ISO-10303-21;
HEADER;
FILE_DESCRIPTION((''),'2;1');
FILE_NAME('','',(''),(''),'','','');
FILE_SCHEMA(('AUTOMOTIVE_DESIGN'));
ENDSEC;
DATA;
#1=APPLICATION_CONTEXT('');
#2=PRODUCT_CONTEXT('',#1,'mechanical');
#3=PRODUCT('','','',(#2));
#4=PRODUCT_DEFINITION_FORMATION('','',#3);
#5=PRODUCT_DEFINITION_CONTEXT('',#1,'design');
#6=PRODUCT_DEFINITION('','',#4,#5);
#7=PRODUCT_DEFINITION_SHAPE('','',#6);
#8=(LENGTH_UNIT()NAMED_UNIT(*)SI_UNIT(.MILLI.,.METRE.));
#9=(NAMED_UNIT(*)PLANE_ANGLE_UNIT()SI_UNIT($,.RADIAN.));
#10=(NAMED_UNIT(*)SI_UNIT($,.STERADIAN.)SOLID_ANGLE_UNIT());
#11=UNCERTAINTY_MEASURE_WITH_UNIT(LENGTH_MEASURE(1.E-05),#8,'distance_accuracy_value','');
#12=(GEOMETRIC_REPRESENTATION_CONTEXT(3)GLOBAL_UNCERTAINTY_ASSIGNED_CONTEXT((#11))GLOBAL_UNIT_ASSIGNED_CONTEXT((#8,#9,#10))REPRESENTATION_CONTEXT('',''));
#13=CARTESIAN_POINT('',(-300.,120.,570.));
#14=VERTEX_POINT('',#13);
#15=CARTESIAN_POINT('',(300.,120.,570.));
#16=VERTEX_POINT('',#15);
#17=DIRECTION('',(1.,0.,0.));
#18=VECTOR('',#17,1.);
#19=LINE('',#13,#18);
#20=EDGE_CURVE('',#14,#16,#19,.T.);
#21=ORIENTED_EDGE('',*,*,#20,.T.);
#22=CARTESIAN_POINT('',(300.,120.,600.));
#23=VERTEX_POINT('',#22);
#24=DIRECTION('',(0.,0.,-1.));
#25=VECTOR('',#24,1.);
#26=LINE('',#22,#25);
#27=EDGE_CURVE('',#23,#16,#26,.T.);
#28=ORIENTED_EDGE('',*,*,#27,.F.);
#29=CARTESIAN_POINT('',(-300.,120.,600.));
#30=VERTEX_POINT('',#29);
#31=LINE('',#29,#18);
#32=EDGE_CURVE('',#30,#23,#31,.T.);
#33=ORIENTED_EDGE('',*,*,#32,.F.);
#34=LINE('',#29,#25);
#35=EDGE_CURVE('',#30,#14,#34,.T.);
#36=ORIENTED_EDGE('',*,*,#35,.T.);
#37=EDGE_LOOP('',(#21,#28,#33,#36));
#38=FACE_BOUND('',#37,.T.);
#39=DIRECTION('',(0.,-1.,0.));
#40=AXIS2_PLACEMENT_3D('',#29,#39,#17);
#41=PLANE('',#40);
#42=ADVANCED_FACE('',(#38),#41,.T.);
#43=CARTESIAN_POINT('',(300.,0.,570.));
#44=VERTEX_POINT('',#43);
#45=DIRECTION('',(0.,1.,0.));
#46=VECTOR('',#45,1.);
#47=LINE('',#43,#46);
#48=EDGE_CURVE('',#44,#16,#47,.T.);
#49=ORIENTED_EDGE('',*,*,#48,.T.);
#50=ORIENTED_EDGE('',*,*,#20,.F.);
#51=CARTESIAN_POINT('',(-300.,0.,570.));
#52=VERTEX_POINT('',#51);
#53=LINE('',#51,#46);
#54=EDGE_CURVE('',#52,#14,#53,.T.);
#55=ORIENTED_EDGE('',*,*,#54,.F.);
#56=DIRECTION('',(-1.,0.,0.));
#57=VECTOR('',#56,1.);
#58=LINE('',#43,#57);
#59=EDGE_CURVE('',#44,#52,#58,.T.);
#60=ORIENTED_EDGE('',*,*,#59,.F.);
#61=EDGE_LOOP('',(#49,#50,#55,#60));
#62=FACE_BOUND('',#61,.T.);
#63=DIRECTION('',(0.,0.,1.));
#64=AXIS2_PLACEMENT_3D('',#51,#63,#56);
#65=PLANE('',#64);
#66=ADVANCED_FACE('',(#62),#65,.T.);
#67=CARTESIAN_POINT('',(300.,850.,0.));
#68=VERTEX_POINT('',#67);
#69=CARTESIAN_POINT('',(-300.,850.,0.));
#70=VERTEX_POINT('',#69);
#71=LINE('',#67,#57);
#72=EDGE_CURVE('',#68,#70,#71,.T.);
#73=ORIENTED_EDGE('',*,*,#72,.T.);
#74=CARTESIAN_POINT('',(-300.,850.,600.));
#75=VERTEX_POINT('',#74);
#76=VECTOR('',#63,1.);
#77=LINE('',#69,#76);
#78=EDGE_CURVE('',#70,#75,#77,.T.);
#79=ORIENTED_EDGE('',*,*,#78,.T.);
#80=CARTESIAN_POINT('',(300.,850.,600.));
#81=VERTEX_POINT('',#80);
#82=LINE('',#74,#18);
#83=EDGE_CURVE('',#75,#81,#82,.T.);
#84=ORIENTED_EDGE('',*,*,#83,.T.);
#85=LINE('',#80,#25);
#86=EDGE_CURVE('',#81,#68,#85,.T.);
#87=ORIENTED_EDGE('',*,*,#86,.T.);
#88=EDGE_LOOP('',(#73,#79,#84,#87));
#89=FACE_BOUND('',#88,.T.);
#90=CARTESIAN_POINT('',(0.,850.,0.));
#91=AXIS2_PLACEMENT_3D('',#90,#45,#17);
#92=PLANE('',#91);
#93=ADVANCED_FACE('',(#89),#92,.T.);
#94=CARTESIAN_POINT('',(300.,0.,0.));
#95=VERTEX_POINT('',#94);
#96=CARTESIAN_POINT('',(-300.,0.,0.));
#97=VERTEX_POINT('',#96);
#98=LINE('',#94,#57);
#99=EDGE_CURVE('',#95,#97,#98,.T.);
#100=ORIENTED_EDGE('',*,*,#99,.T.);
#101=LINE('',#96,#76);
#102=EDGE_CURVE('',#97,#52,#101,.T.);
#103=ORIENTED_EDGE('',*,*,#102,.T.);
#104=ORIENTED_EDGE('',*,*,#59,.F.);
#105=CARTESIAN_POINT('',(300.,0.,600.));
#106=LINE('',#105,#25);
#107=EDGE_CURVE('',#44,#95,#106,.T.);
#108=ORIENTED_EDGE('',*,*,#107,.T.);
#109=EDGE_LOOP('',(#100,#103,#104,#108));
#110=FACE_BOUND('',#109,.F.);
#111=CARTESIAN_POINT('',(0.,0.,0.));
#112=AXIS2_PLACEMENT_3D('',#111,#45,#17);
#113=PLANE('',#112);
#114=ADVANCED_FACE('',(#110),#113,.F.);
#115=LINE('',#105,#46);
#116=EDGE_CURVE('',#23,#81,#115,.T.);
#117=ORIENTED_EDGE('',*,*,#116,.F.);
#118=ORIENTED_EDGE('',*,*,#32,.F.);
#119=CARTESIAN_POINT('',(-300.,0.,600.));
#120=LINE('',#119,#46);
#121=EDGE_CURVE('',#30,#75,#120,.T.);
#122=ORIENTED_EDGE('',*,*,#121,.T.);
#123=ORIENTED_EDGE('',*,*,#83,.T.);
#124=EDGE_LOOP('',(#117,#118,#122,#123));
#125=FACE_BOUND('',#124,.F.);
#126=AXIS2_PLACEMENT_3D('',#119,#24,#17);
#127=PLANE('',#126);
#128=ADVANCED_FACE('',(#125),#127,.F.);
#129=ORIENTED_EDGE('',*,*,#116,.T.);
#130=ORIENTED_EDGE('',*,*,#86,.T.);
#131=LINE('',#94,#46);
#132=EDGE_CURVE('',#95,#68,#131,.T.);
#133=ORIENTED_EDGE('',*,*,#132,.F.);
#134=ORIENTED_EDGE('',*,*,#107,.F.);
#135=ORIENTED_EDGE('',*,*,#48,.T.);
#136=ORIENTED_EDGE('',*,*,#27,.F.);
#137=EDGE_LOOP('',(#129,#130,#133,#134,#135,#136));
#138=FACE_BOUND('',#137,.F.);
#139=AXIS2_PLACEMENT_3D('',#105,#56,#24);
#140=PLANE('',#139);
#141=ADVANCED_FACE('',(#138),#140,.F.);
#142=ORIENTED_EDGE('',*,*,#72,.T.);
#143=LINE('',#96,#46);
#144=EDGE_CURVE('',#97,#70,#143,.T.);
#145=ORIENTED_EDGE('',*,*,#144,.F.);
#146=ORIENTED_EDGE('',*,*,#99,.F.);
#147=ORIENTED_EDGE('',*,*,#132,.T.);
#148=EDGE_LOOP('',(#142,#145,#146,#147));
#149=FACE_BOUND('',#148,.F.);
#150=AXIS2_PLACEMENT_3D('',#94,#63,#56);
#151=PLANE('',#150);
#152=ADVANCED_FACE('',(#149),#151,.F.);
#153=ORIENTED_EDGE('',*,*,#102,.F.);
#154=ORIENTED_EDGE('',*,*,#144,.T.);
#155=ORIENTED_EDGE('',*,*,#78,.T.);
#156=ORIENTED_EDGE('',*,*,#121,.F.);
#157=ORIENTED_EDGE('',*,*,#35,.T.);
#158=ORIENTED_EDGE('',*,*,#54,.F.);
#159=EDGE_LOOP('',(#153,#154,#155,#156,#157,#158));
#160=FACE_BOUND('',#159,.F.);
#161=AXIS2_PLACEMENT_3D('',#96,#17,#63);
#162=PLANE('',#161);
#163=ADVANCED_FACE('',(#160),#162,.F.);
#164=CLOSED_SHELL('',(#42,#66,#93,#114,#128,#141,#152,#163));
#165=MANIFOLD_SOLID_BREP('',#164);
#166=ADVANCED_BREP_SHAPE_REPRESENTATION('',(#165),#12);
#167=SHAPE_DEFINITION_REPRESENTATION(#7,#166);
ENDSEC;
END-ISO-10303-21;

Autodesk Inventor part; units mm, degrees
ref_plane "YZ Plane" through (0, 0, 0) normal (1, 0, 0) x (0, 1, 0)
ref_plane "XZ Plane" through (0, 0, 0) normal (0, 1, 0) x (-1, 0, 0)
ref_plane "XY Plane" through (0, 0, 0) normal (0, 0, 1) x (1, 0, 0)
sketch "Sketch1" plane through (0, 0, 0) normal (0, 1, 0) x (1, 0, 0)
  line L0 (300, 0) -> (-300, 0)
  line L1 (-300, 0) -> (-300, -600)
  line L2 (-300, -600) -> (300, -600)
  line L3 (300, -600) -> (300, 0)
  point P0 (0, 0)
  point P1 (0, 0)
  dimension "d0" = 600
  dimension "d1" = 600
extrude "Extrusion1" add sketch "Sketch1" along normal blind 850
sketch "Sketch2" plane through (-300, 0, 600) normal (0, 0, 1) x (-1, 0, 0)
  line L0 (-600, 0) -> (-600, -850) projected
  line L1 (0, 0) -> (0, -850) projected
  line L2 (-600, 0) -> (0, 0)
  line L3 (0, 0) -> (0, -120)
  line L4 (0, -120) -> (-600, -120)
  line L5 (-600, -120) -> (-600, 0)
  point P0 (-300, 0)
  dimension "d4" = 120
extrude "Extrusion2" cut sketch "Sketch2" against normal blind 30
properties part number "Mobile cottura"
